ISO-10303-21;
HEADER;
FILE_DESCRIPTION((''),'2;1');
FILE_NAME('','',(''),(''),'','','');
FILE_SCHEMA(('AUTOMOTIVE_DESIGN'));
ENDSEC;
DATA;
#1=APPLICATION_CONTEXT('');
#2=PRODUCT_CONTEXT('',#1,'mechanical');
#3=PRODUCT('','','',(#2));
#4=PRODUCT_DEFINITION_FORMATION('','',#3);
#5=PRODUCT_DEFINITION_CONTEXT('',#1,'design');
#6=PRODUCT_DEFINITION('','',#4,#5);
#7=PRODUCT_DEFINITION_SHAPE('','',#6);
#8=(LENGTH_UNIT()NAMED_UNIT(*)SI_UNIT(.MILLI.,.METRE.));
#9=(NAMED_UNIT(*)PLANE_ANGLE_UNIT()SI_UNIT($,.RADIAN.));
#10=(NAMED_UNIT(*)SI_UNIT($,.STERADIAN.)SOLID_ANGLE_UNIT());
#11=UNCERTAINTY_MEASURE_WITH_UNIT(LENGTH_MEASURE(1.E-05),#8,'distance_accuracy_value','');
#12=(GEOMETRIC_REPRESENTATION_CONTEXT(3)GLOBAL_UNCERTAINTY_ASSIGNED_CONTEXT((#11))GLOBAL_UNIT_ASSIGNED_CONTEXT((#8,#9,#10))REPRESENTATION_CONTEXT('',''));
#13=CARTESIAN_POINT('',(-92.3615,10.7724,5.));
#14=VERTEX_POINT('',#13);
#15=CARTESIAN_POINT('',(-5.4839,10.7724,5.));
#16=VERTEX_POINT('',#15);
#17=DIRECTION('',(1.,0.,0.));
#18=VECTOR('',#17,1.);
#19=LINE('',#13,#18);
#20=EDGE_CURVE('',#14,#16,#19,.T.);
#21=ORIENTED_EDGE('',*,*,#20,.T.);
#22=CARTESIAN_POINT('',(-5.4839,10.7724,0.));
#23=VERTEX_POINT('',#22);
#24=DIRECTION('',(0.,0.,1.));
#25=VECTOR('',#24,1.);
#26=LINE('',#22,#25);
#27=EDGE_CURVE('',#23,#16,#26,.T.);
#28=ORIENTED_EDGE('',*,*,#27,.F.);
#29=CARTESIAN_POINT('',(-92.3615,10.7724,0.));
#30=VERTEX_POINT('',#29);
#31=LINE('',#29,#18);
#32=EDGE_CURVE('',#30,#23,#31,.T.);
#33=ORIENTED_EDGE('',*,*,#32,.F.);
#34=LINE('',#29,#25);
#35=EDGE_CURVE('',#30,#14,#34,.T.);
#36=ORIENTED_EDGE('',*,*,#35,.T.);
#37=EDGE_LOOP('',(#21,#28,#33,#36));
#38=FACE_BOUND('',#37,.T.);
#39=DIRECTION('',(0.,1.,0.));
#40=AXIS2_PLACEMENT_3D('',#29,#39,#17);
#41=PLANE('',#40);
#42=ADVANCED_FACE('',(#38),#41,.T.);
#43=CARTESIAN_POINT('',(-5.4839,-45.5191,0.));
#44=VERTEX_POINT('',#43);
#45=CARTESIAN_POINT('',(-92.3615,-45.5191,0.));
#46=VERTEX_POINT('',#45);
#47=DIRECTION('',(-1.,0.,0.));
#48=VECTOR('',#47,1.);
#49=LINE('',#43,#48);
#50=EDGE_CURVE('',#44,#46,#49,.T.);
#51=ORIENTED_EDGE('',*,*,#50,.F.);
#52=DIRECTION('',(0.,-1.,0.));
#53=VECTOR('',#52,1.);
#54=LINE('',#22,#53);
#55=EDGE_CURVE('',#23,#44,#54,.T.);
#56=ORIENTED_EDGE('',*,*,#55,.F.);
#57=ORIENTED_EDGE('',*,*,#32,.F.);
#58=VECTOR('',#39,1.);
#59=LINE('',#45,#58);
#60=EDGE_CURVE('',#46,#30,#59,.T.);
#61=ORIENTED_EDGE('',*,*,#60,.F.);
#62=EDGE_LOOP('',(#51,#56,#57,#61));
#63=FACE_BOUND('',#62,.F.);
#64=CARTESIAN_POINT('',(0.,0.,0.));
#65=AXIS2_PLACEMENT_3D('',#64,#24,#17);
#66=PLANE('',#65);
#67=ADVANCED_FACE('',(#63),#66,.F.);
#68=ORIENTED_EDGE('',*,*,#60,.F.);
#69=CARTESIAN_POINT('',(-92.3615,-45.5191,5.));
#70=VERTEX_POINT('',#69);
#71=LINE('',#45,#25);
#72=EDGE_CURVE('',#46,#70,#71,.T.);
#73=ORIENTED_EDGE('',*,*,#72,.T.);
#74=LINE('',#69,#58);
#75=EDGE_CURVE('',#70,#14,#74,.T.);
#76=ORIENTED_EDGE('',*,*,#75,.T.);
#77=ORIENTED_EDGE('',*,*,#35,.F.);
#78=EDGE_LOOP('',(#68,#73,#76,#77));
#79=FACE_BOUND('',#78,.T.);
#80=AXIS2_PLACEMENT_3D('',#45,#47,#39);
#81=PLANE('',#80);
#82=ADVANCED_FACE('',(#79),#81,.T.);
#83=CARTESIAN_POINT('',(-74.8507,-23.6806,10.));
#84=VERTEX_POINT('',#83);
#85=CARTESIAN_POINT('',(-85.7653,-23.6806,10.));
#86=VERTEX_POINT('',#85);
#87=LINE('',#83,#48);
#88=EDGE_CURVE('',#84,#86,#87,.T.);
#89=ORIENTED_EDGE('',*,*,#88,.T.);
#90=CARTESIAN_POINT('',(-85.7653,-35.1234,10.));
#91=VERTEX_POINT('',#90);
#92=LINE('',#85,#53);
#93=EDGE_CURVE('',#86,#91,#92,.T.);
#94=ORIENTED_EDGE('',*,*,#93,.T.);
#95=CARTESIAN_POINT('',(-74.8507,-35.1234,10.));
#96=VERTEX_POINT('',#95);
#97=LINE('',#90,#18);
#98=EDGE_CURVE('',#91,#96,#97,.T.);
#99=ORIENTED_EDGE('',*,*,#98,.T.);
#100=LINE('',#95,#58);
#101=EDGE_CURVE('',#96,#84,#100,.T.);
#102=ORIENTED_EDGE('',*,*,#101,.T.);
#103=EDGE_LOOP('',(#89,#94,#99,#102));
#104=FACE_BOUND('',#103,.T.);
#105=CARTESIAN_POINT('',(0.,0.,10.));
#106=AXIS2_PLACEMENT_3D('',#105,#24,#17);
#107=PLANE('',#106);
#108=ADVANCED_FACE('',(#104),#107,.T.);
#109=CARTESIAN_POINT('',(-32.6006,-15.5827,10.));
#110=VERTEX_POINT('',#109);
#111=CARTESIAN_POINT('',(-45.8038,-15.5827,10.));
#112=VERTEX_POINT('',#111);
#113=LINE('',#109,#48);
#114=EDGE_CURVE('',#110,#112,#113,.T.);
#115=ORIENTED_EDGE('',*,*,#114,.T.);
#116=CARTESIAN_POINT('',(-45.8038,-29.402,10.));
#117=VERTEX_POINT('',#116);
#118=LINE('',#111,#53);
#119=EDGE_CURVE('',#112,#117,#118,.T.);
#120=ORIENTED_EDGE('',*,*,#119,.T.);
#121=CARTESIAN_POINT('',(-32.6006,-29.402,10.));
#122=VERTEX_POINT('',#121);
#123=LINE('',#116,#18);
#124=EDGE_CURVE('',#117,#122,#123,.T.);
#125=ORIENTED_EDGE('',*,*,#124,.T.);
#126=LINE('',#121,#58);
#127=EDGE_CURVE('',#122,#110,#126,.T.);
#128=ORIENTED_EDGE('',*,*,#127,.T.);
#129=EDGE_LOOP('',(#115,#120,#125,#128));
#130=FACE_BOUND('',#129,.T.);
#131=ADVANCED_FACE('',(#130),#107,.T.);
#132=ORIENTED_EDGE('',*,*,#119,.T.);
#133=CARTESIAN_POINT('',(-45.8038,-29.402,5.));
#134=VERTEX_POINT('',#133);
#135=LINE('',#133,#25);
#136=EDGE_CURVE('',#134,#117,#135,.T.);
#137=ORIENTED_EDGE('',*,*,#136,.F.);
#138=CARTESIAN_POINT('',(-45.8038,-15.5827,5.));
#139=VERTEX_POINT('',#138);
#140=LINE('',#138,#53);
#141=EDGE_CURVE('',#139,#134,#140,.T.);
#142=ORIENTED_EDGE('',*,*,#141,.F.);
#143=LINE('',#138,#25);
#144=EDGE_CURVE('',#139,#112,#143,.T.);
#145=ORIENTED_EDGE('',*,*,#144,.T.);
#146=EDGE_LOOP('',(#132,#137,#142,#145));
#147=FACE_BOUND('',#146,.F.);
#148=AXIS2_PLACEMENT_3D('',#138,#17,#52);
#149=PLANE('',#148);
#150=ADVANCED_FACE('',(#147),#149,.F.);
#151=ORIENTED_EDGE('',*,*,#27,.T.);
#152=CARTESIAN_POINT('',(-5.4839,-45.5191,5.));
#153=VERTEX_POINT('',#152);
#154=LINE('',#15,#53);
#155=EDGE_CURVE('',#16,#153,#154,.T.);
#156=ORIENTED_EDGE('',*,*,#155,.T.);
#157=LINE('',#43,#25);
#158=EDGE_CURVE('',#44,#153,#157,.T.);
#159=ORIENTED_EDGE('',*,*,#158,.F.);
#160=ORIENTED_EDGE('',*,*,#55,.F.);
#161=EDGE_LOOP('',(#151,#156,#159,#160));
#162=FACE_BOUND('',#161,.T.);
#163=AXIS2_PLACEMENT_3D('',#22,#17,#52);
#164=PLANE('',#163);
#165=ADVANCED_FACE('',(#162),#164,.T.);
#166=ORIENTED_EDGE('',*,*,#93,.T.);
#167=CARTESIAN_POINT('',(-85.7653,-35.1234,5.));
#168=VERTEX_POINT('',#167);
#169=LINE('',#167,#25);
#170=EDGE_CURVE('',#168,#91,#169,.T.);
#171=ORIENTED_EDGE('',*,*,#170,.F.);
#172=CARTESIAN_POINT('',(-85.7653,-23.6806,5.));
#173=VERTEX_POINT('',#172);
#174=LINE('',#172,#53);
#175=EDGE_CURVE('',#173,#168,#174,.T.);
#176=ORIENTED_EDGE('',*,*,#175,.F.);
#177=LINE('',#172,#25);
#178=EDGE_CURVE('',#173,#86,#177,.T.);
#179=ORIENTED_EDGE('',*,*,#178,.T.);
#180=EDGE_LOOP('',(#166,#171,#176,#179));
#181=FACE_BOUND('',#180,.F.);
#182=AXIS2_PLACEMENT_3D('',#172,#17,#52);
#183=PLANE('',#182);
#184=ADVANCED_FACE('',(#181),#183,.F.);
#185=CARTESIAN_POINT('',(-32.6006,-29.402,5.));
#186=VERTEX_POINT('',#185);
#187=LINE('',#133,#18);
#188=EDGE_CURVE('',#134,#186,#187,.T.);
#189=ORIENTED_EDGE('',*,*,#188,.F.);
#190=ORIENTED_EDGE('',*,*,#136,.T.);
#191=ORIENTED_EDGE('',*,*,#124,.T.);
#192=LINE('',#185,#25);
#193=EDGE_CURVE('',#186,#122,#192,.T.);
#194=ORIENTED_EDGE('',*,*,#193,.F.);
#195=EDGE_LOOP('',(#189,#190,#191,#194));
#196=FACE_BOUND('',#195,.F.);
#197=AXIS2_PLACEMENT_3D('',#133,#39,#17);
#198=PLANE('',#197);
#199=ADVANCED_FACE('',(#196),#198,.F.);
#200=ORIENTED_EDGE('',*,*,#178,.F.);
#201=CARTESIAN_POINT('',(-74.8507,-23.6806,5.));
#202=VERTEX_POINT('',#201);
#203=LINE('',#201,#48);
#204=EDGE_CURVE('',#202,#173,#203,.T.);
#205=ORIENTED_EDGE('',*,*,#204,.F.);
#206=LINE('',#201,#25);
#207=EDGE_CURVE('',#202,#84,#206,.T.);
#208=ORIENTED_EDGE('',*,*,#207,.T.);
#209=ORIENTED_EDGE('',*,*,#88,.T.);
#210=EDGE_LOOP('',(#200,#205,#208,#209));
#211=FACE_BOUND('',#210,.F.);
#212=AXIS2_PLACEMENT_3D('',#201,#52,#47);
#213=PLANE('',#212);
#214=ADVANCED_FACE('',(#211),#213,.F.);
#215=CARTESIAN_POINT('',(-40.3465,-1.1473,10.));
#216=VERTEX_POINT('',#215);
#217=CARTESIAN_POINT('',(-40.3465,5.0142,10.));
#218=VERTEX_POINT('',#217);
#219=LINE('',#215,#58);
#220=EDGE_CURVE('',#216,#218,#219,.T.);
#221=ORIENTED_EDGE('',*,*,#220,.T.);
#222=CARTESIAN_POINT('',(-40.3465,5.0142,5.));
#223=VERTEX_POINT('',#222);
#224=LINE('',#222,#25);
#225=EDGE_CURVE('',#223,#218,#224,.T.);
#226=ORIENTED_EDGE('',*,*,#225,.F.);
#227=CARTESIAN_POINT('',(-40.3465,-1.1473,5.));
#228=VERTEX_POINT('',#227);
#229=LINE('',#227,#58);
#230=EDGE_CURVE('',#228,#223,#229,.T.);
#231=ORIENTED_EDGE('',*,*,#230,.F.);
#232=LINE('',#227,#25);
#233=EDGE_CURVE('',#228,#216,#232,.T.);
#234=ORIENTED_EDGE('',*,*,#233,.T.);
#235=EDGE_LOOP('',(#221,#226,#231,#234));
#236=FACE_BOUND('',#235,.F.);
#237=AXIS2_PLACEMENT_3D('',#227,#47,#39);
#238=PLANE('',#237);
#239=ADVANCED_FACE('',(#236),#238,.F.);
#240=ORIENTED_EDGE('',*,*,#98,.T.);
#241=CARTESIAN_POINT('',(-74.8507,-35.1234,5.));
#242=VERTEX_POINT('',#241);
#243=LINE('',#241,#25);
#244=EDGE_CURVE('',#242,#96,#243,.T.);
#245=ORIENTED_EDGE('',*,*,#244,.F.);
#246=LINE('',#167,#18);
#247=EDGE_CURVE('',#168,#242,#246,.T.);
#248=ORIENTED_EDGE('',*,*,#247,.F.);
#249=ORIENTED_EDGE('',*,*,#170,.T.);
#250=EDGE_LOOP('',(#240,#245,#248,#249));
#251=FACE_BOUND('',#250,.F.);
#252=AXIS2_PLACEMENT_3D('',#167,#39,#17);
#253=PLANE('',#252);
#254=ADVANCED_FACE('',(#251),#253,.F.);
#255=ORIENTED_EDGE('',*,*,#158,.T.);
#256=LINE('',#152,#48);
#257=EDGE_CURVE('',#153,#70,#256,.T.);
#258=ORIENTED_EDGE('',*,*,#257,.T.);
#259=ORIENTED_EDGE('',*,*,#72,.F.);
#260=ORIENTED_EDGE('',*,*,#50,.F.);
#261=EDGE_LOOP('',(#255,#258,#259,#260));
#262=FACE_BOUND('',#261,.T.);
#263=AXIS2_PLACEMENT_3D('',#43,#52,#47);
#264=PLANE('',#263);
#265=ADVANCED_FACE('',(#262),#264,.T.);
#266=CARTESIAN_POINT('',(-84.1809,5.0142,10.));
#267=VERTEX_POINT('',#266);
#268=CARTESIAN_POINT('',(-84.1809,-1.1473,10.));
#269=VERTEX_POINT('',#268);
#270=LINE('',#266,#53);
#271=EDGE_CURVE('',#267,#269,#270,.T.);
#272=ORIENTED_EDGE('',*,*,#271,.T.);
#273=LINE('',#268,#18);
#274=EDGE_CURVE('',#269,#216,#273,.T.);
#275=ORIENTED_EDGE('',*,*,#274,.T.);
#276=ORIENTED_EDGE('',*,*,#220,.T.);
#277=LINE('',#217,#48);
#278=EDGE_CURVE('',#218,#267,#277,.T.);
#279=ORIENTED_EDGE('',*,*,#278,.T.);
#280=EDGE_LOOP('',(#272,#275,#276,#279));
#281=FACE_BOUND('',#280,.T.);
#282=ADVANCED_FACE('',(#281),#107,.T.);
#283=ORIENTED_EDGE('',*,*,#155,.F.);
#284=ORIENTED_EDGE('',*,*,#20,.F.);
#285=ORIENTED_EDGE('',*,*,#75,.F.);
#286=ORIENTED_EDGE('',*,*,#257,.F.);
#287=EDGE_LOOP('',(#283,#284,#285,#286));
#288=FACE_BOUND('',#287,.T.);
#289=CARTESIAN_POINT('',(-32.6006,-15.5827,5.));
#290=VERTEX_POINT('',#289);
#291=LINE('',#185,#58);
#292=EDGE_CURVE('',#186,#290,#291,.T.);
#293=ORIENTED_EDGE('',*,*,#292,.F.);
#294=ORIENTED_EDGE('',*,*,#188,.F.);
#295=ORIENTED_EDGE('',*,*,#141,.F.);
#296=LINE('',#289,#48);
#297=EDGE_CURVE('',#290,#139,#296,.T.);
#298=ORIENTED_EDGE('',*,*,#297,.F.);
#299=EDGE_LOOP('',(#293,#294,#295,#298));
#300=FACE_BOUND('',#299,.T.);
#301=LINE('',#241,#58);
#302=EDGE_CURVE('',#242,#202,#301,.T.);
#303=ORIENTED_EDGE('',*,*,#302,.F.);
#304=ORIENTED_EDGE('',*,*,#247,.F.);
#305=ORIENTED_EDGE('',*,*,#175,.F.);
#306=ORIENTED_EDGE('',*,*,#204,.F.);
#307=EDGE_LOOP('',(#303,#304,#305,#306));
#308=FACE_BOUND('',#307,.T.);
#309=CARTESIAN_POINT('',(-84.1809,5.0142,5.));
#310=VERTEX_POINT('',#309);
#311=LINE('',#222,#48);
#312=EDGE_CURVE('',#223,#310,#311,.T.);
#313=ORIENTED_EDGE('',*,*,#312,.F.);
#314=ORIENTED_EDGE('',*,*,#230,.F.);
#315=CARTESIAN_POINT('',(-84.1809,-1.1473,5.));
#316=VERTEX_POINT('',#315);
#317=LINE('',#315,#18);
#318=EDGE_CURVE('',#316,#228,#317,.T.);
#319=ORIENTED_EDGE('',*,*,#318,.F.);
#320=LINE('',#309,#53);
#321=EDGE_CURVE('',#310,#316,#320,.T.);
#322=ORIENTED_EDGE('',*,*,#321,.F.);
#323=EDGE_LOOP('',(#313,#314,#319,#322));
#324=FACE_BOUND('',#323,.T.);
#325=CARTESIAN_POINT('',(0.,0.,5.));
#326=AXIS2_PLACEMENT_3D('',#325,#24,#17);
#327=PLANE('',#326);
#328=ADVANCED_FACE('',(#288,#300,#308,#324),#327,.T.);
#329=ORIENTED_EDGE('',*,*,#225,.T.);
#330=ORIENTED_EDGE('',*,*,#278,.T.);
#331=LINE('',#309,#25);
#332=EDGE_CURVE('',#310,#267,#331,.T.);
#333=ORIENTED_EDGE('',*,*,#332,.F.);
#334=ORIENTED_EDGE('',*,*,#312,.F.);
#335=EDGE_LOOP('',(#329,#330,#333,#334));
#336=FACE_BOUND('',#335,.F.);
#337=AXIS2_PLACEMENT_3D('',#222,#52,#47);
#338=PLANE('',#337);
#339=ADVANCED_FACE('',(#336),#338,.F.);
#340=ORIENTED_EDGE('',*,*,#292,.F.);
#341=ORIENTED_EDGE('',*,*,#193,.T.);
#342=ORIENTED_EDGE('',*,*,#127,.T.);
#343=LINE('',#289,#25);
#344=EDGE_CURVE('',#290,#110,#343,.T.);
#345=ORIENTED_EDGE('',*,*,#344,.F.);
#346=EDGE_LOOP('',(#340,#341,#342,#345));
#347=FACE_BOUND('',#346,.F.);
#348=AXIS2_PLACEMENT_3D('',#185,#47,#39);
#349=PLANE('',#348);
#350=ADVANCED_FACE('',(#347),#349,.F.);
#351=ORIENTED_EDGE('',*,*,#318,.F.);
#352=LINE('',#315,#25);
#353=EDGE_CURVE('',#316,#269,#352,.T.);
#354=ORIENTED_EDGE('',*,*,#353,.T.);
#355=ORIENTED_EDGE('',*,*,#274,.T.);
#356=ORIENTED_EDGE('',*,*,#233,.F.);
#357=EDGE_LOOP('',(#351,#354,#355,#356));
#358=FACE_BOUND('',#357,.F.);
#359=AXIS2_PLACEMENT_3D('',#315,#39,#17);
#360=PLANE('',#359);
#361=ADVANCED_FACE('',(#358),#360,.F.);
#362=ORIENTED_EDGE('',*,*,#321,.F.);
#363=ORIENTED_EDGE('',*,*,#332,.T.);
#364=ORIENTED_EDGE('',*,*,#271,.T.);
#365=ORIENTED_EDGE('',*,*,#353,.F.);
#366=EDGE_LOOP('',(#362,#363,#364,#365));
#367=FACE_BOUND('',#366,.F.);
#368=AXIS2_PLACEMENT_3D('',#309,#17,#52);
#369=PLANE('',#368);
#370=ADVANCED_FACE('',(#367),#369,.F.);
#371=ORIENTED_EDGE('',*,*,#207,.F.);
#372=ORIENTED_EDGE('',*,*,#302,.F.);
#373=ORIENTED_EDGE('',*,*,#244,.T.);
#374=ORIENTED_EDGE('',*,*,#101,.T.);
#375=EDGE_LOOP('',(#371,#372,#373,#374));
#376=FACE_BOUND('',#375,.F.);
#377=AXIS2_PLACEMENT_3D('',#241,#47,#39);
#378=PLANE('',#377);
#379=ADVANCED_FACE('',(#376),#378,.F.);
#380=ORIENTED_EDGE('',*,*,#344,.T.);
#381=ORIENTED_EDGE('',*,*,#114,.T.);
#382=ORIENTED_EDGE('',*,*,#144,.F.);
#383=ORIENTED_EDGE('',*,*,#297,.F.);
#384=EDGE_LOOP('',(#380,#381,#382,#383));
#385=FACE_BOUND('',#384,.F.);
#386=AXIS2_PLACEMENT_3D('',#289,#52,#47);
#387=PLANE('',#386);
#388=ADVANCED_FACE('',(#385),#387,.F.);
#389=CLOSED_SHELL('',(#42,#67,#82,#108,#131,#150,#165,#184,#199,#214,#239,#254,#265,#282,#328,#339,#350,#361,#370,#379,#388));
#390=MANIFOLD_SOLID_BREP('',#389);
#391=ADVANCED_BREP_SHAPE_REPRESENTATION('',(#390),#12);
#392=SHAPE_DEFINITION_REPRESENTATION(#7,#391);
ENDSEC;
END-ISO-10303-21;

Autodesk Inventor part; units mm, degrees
ref_plane "YZ Plane" through (0, 0, 0) normal (1, 0, 0) x (0, 1, 0)
ref_plane "XZ Plane" through (0, 0, 0) normal (0, 1, 0) x (-1, 0, 0)
ref_plane "XY Plane" through (0, 0, 0) normal (0, 0, 1) x (1, 0, 0)
sketch "Sketch1" plane through (0, 0, 0) normal (0, 0, 1) x (1, 0, 0)
  line L0 (-5.4839, -45.5191) -> (-92.3615, -45.5191)
  line L1 (-92.3615, -45.5191) -> (-92.3615, 10.7724)
  line L2 (-92.3615, 10.7724) -> (-5.4839, 10.7724)
  line L3 (-5.4839, 10.7724) -> (-5.4839, -45.5191)
  point P0 (0, 0)
extrude "Extrusion1" add sketch "Sketch1" along normal blind 5
sketch "Sketch2" plane through (0, 0, 5) normal (0, 0, 1) x (1, 0, 0)
  point P0 (0, 0)
sketch "Sketch3" plane through (0, 0, 5) normal (0, 0, 1) x (1, 0, 0)
  line L0 (-40.3465, 5.0142) -> (-84.1809, 5.0142)
  line L1 (-84.1809, 5.0142) -> (-84.1809, -1.1473)
  line L2 (-84.1809, -1.1473) -> (-40.3465, -1.1473)
  line L3 (-40.3465, -1.1473) -> (-40.3465, 5.0142)
  line L4 (-74.8507, -23.6806) -> (-85.7653, -23.6806)
  line L5 (-85.7653, -23.6806) -> (-85.7653, -35.1234)
  line L6 (-85.7653, -35.1234) -> (-74.8507, -35.1234)
  line L7 (-74.8507, -35.1234) -> (-74.8507, -23.6806)
  line L8 (-32.6006, -15.5827) -> (-45.8038, -15.5827)
  line L9 (-45.8038, -15.5827) -> (-45.8038, -29.402)
  line L10 (-45.8038, -29.402) -> (-32.6006, -29.402)
  line L11 (-32.6006, -29.402) -> (-32.6006, -15.5827)
  point P0 (0, 0)
extrude "Extrusion2" add sketch "Sketch3" along normal blind 5
properties part number "raspberry"
